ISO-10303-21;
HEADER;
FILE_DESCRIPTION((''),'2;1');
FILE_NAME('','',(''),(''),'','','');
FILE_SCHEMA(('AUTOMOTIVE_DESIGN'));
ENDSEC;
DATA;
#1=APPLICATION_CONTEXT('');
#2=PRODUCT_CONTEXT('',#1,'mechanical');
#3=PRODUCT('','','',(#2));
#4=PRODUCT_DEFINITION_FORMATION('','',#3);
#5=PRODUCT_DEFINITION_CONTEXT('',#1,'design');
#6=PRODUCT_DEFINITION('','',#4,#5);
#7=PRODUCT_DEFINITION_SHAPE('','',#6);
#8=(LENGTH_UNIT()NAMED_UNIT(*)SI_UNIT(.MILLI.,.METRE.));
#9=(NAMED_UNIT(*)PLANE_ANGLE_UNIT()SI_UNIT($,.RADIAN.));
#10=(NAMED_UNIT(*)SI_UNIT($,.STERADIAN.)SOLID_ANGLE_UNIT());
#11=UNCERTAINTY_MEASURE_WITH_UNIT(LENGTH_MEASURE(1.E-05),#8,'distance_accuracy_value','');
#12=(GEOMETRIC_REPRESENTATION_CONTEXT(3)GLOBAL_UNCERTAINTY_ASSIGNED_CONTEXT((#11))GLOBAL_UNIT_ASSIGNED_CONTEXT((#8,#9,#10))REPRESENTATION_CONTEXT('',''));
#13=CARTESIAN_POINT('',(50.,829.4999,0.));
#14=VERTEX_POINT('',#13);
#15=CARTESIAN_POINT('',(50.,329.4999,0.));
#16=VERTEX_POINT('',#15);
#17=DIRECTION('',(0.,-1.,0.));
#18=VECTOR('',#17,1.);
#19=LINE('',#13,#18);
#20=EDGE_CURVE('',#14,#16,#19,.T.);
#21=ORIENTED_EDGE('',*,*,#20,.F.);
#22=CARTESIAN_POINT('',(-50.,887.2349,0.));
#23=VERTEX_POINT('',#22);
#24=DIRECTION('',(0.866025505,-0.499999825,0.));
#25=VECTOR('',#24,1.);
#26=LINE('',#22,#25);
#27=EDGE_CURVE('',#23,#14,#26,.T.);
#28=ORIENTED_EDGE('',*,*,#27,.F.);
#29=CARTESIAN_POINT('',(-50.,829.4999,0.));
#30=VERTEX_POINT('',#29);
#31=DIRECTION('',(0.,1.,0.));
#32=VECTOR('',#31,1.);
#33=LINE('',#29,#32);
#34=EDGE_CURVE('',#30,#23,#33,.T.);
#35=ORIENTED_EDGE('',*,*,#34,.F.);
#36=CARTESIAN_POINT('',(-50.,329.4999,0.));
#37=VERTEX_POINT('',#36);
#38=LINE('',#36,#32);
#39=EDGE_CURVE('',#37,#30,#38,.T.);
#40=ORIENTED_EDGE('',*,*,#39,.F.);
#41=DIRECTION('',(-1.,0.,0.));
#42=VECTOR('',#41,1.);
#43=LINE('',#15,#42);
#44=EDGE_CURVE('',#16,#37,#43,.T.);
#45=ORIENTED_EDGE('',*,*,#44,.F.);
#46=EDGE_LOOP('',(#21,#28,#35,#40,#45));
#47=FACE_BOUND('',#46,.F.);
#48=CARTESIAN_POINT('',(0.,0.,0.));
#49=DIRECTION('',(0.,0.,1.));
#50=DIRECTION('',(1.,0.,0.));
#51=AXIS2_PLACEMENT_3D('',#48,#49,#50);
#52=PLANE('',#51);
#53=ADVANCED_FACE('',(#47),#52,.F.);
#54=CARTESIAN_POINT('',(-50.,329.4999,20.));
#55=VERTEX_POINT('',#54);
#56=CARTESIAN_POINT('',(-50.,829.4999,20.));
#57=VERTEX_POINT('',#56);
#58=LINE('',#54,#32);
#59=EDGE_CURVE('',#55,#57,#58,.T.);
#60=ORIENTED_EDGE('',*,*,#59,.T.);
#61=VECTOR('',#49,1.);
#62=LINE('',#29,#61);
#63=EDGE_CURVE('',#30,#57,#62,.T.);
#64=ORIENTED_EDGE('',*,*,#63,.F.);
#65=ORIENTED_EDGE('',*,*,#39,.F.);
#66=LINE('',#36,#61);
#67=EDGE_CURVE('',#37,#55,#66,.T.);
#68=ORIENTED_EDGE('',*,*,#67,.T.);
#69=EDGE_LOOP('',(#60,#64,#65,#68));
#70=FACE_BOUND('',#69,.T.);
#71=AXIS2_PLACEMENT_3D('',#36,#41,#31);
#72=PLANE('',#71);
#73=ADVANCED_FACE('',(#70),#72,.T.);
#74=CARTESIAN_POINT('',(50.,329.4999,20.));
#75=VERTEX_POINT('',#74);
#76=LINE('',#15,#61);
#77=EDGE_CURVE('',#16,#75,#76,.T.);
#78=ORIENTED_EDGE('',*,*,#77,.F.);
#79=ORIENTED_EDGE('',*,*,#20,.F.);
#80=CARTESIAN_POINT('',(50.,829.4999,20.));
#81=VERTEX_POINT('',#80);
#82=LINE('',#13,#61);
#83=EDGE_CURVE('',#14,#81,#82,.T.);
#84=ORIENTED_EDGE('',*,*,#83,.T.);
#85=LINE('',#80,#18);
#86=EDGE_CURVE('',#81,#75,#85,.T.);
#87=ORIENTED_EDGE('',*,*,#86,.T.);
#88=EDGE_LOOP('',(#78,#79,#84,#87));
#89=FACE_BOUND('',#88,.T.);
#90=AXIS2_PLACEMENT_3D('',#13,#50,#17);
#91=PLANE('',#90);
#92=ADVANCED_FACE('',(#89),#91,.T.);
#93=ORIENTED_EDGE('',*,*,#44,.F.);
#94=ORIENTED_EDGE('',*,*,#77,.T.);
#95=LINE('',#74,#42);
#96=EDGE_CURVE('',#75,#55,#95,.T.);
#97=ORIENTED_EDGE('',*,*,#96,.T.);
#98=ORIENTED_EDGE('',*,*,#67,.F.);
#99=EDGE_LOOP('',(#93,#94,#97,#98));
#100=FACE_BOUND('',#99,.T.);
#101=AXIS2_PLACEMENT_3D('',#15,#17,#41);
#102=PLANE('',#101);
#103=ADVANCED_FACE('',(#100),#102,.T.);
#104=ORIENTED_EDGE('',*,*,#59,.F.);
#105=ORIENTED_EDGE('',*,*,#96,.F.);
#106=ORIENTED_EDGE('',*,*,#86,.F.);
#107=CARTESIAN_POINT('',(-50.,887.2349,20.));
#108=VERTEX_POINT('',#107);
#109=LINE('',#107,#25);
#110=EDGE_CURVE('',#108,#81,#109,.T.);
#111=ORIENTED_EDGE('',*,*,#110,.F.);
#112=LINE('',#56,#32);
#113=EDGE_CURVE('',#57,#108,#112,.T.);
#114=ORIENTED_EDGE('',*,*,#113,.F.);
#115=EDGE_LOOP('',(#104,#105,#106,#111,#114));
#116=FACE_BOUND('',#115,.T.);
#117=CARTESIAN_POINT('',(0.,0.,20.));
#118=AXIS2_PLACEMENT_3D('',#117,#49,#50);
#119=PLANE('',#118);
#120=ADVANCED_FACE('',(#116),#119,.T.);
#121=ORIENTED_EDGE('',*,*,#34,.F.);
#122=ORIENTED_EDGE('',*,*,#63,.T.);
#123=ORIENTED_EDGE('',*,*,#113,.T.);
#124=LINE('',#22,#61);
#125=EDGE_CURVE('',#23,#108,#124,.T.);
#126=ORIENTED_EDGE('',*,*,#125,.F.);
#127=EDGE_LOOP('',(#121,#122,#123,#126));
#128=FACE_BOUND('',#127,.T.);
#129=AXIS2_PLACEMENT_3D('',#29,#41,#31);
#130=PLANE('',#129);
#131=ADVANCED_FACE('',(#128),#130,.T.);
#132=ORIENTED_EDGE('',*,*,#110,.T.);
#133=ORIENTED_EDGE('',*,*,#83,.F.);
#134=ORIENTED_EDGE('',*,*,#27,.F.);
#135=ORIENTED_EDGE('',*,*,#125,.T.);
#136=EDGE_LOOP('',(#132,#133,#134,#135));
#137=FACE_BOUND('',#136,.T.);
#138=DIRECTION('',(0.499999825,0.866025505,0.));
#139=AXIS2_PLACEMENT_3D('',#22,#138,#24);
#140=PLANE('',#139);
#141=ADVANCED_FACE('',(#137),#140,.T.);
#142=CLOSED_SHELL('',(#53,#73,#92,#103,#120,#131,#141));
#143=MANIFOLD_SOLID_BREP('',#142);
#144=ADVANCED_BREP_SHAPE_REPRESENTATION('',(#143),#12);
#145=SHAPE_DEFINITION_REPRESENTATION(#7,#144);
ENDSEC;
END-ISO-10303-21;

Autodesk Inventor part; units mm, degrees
ref_plane "YZ Plane" through (0, 0, 0) normal (1, 0, 0) x (0, 1, 0)
ref_plane "XZ Plane" through (0, 0, 0) normal (0, 1, 0) x (-1, 0, 0)
ref_plane "XY Plane" through (0, 0, 0) normal (0, 0, 1) x (1, 0, 0)
sketch "Sketch1" plane through (0, 0, 0) normal (0, 0, 1) x (1, 0, 0)
  line L0 (50, 829.4999) -> (50, 329.4999)
  line L1 (50, 329.4999) -> (-50, 329.4999)
  line L2 (-50, 329.4999) -> (-50, 829.4999)
  line L3 (-50, 829.4999) -> (-50, 887.2349)
  line L4 (-50, 829.4999) -> (7.735, 829.4999) construction
  line L5 (-50, 887.2349) -> (50, 829.4999)
  dimension "d2" = 57.735
  dimension "d3" = 90
  dimension "d6" = 500
  dimension "d7" = 500
extrude "Extrusion1" add sketch "Sketch1" along normal blind 20
